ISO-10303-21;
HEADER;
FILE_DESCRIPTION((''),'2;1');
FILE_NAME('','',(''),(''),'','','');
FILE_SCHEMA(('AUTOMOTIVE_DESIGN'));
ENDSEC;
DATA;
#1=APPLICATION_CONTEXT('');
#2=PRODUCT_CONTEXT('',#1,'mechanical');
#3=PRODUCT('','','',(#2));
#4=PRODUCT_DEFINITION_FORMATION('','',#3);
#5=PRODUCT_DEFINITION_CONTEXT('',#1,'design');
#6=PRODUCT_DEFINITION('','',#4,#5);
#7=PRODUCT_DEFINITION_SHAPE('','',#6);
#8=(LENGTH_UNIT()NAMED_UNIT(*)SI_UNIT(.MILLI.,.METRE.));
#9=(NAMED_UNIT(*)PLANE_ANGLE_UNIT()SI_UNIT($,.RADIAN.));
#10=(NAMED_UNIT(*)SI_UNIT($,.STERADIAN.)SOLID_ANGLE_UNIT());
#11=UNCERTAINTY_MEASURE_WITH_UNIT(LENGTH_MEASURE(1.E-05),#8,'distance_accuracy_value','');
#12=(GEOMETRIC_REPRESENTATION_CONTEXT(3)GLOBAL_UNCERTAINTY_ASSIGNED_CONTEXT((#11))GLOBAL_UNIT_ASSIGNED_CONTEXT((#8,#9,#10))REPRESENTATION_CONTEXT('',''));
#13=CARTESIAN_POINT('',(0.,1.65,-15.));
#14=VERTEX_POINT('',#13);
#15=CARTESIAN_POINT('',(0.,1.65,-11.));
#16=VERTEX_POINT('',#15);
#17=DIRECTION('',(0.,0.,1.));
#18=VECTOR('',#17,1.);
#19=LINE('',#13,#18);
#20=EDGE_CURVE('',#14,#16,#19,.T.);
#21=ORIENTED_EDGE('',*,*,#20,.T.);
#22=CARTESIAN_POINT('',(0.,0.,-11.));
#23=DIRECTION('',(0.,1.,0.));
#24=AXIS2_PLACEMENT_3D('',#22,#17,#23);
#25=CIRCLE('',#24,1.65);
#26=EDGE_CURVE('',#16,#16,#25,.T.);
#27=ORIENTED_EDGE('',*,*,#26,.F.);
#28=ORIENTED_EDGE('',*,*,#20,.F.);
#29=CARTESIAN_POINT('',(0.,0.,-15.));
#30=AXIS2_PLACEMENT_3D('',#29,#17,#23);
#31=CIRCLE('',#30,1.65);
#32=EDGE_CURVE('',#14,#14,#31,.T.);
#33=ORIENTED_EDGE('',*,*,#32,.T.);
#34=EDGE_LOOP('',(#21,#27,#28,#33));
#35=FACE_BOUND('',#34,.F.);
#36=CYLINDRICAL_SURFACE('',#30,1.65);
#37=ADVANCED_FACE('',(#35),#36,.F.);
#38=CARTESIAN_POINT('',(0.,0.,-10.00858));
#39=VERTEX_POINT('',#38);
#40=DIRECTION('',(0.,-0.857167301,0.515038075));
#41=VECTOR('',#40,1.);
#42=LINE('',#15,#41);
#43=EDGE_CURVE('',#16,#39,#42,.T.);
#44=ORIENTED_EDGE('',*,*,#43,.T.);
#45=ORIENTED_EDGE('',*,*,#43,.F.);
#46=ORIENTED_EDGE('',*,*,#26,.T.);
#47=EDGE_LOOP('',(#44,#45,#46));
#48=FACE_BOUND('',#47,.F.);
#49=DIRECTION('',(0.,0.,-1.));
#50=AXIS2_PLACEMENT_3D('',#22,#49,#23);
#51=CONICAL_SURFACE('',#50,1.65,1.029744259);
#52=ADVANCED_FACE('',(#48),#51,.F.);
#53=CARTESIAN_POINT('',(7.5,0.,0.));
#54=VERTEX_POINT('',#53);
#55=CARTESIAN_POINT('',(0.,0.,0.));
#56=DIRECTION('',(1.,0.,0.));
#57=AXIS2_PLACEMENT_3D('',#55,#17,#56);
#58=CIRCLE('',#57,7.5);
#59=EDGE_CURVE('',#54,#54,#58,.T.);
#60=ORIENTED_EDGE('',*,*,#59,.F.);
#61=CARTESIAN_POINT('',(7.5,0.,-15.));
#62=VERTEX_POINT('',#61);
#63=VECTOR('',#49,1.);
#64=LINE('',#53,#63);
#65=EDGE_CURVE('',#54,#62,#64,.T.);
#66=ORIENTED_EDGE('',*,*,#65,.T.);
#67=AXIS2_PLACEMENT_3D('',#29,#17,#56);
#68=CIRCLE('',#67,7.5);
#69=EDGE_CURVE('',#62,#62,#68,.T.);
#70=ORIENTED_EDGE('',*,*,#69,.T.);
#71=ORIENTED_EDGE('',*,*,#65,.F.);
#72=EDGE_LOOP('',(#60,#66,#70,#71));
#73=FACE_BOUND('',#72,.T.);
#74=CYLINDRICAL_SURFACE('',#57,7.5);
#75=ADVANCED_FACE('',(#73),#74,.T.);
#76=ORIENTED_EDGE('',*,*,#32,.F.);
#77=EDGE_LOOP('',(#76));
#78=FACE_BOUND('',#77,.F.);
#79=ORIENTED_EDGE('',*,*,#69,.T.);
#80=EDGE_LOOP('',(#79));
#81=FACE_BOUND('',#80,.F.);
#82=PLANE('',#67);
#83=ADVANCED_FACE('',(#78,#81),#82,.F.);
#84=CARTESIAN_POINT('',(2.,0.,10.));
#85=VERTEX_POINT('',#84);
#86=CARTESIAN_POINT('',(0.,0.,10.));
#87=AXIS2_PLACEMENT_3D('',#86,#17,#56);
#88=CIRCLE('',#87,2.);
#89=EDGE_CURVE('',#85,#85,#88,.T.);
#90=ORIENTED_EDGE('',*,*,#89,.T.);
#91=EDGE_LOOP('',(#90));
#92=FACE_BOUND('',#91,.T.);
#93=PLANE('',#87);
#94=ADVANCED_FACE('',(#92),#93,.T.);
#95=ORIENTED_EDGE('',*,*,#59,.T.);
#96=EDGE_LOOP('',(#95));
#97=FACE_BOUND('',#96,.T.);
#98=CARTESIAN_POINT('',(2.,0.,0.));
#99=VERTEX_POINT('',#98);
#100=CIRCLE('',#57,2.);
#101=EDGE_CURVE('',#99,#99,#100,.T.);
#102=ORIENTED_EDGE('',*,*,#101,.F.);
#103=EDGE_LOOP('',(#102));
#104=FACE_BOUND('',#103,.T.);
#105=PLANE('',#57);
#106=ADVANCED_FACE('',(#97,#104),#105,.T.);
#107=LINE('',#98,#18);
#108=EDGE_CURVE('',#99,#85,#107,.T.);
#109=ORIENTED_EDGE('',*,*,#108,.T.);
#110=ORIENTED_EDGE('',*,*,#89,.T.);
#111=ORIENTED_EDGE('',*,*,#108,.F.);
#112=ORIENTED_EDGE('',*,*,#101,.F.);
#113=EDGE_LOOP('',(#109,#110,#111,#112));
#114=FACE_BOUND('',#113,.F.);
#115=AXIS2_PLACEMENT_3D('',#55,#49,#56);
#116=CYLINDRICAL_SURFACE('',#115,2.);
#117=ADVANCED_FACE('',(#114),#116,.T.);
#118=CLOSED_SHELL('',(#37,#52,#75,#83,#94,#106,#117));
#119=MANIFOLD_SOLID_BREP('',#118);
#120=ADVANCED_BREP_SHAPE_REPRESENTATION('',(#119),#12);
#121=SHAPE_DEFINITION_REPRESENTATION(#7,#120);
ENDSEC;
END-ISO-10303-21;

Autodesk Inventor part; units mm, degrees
ref_plane "YZ Plane" through (0, 0, 0) normal (1, 0, 0) x (0, 1, 0)
ref_plane "XZ Plane" through (0, 0, 0) normal (0, 1, 0) x (-1, 0, 0)
ref_plane "XY Plane" through (0, 0, 0) normal (0, 0, 1) x (1, 0, 0)
sketch "スケッチ1" plane through (0, 0, 0) normal (0, 0, 1) x (1, 0, 0)
  circle A0 centre (0, 0) radius 7.5
  circle A1 centre (0, 0) radius 2
  dimension "d0" = 15
  dimension "d1" = 4
extrude "押し出し1" add sketch "スケッチ1" along normal blind 10 contours A1
extrude "押し出し2" add sketch "スケッチ1" against normal blind 15 contours A0 | A1
sketch "スケッチ2" plane through (0, 0, -15) normal (0, 0, -1) x (-1, 0, 0)
  circle A0 centre (0, 0) radius 7.5 projected
hole "穴1" at (0, 0, -15) direction (0, 0, 1) diameter 3.3 depth 4 tip angle 118
properties part number "防振ゴム雄ねじ雌ねじm4スペーサー長さ15"
